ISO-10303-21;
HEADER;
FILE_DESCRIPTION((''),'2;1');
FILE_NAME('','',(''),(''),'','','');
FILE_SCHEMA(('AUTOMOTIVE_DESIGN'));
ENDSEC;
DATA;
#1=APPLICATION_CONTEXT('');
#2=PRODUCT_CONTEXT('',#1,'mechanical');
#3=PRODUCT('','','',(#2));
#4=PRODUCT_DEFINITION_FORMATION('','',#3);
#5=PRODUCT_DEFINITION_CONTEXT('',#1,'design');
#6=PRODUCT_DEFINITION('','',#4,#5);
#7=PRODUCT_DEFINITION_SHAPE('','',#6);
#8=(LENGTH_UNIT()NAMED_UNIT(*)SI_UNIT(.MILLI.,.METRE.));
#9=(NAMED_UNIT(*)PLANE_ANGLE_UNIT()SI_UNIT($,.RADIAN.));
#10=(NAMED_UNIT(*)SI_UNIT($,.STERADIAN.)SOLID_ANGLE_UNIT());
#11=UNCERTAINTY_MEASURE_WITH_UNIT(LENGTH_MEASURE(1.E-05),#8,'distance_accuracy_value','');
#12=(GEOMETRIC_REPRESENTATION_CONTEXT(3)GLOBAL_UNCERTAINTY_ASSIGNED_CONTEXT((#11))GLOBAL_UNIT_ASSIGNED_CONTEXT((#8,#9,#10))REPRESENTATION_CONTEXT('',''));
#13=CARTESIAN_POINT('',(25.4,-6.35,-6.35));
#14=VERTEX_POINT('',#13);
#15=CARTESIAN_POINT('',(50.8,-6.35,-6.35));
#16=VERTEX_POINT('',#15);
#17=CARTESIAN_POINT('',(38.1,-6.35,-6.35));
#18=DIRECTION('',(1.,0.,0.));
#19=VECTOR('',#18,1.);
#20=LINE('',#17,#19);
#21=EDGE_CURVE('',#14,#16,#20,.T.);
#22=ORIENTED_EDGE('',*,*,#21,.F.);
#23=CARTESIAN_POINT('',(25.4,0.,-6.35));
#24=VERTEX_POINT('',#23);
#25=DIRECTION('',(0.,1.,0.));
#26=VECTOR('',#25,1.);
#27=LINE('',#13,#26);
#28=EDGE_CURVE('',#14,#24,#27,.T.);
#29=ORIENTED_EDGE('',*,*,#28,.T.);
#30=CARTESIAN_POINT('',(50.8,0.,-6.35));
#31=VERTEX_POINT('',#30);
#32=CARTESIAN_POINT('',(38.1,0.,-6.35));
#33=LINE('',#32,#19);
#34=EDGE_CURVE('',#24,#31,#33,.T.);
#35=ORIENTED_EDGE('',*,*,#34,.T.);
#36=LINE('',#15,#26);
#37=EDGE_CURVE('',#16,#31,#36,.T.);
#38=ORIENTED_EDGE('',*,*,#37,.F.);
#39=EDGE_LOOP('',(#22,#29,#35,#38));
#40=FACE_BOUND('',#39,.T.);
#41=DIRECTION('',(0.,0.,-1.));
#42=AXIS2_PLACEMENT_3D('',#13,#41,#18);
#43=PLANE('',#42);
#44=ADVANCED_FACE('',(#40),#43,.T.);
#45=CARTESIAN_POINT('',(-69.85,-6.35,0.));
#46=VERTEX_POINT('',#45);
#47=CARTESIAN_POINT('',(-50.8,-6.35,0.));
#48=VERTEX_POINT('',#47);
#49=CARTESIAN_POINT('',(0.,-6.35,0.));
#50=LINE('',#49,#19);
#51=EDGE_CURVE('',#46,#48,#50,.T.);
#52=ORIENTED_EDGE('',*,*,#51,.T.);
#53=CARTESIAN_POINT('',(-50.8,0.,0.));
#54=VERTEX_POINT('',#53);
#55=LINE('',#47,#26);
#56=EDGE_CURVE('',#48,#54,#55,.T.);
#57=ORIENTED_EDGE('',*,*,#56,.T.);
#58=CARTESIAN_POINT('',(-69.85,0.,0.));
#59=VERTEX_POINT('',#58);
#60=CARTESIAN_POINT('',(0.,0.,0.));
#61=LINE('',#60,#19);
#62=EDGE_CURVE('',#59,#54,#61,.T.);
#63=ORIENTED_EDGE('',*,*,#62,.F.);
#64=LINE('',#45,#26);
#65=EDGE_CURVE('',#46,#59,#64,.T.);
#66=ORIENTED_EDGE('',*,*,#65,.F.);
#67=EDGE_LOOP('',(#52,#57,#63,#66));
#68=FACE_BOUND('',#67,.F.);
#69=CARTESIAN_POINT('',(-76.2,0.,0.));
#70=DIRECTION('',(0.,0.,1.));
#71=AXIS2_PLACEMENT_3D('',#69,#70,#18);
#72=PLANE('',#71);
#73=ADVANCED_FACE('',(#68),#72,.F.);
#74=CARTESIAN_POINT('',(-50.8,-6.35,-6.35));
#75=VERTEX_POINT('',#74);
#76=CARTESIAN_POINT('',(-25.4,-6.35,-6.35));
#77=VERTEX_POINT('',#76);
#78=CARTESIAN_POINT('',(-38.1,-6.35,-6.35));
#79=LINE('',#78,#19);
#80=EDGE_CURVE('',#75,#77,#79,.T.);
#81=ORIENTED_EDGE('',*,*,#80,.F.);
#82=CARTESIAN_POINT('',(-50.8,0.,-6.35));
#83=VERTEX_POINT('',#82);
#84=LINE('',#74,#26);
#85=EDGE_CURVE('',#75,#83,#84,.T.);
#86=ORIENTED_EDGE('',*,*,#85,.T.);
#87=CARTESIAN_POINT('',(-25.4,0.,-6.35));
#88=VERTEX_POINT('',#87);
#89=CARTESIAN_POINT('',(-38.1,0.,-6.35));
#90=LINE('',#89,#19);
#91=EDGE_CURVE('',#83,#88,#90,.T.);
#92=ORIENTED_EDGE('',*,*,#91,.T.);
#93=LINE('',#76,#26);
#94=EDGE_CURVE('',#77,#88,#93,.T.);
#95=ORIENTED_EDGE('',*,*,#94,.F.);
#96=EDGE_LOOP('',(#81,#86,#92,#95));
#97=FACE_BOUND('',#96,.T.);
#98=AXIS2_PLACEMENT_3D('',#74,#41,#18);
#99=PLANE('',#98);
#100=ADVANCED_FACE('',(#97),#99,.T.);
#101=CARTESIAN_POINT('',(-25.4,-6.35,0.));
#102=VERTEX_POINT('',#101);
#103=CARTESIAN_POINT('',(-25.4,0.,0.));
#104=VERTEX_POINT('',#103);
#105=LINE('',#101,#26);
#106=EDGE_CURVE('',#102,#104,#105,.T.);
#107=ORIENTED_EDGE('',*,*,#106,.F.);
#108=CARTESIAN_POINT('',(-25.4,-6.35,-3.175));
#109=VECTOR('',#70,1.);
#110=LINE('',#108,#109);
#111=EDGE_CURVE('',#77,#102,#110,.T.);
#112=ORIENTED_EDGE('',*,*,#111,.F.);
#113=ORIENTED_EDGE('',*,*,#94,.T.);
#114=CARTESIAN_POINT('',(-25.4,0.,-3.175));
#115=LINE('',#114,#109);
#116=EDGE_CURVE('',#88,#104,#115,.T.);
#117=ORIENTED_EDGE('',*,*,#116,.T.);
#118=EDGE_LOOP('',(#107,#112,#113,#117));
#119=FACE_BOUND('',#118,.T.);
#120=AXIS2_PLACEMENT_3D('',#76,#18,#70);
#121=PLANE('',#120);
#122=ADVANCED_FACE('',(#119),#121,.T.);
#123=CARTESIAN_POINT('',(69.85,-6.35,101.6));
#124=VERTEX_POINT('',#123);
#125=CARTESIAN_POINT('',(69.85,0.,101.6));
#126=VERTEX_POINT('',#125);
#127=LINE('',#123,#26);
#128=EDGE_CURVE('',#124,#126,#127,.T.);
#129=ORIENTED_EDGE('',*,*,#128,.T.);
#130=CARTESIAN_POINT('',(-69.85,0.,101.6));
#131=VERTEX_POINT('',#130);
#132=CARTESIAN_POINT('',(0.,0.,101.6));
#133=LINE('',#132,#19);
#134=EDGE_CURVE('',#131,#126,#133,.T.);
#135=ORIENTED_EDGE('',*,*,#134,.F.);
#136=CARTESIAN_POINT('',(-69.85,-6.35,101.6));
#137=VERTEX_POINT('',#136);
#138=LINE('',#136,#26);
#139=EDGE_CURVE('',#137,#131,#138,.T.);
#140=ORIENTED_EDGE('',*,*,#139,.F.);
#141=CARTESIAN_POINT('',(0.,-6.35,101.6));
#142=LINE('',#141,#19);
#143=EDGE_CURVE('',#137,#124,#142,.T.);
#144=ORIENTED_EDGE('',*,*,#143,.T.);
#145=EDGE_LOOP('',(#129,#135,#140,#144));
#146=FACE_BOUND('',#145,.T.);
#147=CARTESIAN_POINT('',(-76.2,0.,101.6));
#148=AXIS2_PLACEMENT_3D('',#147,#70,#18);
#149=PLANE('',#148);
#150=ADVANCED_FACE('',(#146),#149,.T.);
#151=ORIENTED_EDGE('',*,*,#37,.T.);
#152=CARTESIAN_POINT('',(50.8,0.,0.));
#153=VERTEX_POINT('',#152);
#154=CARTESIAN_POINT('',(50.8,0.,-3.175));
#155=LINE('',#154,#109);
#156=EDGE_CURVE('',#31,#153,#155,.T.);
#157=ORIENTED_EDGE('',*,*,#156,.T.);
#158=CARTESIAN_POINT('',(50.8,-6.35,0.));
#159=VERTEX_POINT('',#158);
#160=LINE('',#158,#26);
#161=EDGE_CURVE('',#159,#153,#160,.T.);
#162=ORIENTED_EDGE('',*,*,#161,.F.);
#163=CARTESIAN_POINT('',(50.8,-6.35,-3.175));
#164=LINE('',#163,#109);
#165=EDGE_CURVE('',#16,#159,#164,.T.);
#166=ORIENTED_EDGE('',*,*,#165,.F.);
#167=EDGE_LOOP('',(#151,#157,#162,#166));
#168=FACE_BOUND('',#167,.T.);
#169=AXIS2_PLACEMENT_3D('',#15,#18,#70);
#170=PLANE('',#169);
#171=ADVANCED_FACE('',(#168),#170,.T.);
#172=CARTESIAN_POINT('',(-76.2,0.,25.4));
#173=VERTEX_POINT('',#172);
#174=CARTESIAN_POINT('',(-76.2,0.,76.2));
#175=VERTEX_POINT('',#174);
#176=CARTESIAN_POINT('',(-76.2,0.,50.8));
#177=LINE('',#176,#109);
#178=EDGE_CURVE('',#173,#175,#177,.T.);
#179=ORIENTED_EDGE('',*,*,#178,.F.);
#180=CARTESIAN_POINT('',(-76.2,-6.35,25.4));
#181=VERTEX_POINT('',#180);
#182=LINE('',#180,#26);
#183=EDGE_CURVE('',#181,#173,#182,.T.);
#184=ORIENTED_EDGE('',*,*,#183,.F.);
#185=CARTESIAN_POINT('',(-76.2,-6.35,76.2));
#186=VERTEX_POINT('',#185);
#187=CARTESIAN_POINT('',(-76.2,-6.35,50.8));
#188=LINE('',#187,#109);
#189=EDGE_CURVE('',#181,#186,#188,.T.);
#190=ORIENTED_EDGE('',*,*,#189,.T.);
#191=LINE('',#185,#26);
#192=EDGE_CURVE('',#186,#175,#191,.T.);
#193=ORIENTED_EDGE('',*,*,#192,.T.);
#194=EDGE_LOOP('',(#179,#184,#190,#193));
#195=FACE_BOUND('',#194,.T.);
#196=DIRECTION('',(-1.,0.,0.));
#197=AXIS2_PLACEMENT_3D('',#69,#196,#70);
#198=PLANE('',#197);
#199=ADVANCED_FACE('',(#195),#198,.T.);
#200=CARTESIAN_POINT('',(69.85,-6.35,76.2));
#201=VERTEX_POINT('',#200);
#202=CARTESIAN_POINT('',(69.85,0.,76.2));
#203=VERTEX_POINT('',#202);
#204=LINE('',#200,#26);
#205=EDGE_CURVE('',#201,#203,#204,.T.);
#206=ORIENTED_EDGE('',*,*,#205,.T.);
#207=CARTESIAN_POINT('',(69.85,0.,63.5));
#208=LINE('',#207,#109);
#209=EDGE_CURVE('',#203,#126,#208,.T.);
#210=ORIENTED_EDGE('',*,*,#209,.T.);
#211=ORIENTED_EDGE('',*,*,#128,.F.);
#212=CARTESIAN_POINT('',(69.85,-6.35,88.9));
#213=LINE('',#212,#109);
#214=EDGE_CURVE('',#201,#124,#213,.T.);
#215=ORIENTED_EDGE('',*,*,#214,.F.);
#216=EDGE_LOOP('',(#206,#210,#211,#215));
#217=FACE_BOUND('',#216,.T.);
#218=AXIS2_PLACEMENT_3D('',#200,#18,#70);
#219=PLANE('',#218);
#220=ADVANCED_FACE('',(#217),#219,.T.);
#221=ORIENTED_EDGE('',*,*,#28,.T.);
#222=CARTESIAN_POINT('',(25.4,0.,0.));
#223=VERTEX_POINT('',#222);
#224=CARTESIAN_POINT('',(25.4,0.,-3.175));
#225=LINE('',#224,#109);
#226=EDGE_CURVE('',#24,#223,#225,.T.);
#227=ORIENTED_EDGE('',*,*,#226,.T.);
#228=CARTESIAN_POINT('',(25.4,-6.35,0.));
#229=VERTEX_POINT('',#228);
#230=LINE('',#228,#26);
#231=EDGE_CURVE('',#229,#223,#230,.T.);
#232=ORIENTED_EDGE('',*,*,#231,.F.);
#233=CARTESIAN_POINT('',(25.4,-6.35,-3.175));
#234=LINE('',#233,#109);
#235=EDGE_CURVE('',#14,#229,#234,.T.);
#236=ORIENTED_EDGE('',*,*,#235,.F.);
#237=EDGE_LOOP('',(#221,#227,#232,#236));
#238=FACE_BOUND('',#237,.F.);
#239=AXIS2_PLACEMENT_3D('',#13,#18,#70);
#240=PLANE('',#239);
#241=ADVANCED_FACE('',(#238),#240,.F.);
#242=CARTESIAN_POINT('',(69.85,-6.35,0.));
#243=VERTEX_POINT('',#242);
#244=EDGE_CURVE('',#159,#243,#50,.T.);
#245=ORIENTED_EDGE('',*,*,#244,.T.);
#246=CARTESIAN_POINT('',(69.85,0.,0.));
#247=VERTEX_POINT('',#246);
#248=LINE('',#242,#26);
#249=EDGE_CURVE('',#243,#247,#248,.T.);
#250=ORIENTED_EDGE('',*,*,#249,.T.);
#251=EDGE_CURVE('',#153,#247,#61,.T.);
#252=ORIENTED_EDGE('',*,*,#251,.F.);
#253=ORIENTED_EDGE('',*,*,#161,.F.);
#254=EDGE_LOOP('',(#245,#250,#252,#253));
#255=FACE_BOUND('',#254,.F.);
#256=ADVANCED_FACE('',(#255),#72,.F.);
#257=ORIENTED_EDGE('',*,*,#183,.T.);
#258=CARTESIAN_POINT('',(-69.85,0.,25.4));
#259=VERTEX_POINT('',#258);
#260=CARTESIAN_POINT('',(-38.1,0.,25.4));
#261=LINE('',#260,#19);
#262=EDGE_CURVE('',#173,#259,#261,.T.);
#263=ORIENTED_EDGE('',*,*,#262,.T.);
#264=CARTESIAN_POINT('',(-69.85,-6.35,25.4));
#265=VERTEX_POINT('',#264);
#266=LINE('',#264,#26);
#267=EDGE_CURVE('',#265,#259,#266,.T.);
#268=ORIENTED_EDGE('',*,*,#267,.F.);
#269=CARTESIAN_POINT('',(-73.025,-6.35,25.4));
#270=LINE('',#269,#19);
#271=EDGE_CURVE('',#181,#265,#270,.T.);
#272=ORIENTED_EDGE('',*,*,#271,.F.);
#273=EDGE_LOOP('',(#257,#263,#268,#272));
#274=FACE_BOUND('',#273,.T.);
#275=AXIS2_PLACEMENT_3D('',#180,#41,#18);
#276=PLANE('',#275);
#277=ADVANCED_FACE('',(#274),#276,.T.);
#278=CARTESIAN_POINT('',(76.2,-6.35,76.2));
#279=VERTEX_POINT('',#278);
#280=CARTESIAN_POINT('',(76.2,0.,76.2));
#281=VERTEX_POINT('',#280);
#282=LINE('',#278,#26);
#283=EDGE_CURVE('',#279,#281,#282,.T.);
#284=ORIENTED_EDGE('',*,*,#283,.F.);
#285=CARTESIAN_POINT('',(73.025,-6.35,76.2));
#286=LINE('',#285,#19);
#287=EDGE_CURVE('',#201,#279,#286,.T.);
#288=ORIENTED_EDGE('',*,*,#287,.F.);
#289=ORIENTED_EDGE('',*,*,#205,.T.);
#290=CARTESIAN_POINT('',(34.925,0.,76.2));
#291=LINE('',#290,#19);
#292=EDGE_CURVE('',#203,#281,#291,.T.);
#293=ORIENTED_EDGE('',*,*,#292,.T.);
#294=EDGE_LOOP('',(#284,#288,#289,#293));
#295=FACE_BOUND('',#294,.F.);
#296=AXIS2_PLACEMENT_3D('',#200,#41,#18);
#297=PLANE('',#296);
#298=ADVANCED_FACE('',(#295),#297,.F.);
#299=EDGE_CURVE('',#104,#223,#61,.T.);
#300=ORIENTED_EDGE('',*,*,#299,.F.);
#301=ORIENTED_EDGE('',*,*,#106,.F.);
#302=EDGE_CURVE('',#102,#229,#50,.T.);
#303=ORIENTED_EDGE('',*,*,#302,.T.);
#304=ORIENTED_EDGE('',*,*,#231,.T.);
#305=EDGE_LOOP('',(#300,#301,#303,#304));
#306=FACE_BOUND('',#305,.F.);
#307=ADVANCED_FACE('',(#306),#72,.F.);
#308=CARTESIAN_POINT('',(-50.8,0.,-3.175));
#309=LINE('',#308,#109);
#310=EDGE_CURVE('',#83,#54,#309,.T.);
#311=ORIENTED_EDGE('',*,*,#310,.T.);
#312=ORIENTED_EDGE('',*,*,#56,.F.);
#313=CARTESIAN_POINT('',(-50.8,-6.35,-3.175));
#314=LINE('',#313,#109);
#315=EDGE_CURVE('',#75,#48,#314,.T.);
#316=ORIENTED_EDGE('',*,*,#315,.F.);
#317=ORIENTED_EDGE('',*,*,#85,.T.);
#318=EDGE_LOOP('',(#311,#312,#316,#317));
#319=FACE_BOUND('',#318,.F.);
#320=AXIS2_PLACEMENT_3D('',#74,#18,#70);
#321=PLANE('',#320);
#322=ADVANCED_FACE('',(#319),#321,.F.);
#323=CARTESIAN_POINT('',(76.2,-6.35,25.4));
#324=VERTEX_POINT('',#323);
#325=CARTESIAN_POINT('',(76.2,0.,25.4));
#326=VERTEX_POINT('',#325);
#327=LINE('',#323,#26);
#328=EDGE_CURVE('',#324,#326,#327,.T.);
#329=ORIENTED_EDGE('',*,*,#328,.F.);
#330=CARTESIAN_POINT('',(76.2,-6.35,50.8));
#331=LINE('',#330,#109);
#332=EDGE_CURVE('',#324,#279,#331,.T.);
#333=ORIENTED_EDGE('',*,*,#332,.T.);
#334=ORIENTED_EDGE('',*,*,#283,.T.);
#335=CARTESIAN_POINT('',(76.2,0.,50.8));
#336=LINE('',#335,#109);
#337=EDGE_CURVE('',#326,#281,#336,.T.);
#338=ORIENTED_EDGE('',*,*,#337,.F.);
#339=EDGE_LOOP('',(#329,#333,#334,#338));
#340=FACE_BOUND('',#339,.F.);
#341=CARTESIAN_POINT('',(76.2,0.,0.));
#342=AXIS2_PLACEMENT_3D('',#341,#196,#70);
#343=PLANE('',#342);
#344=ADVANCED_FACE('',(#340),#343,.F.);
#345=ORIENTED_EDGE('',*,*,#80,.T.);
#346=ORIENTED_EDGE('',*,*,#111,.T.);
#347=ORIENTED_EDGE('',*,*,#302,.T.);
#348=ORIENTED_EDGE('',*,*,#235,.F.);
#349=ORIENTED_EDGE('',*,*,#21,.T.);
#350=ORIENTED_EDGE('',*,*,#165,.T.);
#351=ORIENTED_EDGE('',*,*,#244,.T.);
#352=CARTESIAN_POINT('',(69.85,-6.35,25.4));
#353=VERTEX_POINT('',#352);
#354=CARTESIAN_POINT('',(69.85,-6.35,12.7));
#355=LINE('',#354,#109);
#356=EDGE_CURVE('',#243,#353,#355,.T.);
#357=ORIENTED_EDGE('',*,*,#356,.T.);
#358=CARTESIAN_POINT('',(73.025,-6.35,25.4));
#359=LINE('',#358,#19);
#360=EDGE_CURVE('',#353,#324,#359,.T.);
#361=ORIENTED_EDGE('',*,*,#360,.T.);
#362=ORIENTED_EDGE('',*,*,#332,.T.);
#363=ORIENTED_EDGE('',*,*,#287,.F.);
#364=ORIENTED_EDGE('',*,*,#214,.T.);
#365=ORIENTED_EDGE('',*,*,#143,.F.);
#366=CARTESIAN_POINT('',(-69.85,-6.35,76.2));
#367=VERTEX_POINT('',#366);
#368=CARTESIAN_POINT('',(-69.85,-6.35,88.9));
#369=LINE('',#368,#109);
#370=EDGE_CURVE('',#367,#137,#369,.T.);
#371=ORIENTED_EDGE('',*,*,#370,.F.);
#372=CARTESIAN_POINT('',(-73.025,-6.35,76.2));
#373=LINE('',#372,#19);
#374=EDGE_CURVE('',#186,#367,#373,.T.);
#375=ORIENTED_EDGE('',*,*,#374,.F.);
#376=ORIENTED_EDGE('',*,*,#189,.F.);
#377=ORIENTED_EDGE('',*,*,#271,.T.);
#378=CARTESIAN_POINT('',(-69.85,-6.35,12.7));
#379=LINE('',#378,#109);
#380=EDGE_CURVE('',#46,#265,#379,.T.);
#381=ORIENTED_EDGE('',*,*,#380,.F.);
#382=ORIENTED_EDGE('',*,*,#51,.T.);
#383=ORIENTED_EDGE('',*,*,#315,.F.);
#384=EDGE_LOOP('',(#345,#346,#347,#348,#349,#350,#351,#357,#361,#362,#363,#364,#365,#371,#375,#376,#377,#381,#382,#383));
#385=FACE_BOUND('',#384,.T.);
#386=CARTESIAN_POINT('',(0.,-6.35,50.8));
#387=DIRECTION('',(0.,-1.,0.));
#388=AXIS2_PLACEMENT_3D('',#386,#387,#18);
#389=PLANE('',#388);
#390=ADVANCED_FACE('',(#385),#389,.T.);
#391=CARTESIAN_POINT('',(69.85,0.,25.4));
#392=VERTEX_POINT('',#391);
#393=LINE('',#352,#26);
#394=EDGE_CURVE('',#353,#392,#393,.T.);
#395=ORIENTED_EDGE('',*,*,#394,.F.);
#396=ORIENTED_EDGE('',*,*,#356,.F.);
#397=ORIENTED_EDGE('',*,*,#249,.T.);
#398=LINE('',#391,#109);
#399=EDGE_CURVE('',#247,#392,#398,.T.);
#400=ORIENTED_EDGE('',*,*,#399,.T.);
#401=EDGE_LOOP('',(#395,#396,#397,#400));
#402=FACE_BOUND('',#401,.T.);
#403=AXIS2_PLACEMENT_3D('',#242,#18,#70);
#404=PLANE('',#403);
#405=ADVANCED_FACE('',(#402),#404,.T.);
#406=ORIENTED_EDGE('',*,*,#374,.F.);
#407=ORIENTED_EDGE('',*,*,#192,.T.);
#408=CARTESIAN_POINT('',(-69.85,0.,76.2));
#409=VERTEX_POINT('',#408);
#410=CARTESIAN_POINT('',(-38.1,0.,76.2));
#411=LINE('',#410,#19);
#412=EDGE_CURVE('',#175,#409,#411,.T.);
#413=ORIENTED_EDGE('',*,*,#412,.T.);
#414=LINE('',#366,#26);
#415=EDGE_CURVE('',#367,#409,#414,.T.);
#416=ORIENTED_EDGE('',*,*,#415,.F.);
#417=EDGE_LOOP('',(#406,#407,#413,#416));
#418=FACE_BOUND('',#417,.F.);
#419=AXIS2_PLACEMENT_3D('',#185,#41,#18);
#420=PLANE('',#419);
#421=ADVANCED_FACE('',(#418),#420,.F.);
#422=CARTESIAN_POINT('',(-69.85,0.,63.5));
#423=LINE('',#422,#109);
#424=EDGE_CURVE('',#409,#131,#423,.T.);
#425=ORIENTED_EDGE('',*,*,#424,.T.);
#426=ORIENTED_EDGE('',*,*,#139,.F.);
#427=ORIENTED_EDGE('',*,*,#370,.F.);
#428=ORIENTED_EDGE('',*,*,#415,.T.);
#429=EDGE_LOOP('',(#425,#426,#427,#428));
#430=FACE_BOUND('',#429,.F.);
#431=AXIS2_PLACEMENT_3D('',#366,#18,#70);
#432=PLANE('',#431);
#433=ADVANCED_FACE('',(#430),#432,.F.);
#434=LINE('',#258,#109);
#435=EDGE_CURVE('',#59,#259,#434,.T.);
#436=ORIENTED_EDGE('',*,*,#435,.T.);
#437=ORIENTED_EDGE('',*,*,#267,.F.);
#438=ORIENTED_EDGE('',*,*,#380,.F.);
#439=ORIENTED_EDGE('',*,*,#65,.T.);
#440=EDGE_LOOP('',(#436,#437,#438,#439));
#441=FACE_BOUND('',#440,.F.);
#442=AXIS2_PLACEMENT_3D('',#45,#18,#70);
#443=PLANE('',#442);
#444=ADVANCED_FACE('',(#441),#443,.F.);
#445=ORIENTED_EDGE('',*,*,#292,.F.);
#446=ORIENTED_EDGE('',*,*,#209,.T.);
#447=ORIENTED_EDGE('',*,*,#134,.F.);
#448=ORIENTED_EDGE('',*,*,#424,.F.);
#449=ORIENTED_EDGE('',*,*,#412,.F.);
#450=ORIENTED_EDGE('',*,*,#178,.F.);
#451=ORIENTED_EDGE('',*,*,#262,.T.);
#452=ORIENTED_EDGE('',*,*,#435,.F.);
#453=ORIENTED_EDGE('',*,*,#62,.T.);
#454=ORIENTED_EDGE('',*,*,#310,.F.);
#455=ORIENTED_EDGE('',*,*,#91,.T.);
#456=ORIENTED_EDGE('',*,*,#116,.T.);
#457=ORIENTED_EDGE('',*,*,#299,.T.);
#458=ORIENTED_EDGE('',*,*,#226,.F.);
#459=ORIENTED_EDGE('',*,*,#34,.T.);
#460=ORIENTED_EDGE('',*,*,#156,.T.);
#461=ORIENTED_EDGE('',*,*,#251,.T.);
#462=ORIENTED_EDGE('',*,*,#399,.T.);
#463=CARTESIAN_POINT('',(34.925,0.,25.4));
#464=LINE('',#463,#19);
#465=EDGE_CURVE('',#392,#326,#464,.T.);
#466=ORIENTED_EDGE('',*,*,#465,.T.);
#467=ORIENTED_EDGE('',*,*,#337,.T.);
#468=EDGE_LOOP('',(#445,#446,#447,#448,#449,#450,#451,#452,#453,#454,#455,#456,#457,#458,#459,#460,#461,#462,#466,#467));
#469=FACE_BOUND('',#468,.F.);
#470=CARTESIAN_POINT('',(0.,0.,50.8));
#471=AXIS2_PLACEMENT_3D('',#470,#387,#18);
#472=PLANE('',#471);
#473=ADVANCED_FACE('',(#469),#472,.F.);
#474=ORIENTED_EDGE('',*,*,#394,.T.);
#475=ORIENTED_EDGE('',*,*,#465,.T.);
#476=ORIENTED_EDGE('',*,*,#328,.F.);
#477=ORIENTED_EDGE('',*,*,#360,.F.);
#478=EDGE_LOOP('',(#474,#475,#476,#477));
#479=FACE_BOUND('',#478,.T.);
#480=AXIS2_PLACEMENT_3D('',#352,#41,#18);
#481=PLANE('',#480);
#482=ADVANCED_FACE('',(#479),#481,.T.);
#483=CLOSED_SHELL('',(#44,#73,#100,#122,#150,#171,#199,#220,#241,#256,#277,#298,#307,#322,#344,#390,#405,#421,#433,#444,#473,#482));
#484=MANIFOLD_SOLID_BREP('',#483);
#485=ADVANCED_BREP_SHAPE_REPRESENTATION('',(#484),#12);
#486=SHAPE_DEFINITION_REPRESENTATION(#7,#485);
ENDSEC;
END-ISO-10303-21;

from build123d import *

# Parameters (mm, degrees)
F0_W     = 152.4
F0_H     = 101.6
F1_DEPTH = 6.35
F2_W     = 25.4
F2_H     = 6.35
F3_DEPTH = 6.35
F4_W     = 6.35
F4_H     = 25.4
F5_DEPTH = 25.4


with BuildPart() as f1:
    # F0 (on Front) → F1 (new body)
    with BuildSketch(Plane.XZ):
        with Locations((0, 50.8)):
            Rectangle(F0_W, F0_H)
    extrude(amount=F1_DEPTH)

    # F2 (on face) → F3 (join)
    with BuildSketch(Plane.XZ.offset(6.35)):
        with Locations((38.1, -3.175)):
            Rectangle(F2_W, F2_H)
        with Locations((-38.1, -3.175)):
            Rectangle(F2_W, F2_H)
    extrude(amount=-F3_DEPTH)

    # F4 (on face) → F5 (cut)
    with BuildSketch(Plane.XZ.offset(6.35)):
        with Locations((73.025, 88.9)):
            Rectangle(F4_W, F4_H)
        with Locations((73.025, 12.7)):
            Rectangle(F4_W, F4_H)
        with Locations((-73.025, 12.7)):
            Rectangle(F4_W, F4_H)
        with Locations((-73.025, 88.9)):
            Rectangle(F4_W, F4_H)
    extrude(amount=-F5_DEPTH, mode=Mode.SUBTRACT)


solid = f1.part
